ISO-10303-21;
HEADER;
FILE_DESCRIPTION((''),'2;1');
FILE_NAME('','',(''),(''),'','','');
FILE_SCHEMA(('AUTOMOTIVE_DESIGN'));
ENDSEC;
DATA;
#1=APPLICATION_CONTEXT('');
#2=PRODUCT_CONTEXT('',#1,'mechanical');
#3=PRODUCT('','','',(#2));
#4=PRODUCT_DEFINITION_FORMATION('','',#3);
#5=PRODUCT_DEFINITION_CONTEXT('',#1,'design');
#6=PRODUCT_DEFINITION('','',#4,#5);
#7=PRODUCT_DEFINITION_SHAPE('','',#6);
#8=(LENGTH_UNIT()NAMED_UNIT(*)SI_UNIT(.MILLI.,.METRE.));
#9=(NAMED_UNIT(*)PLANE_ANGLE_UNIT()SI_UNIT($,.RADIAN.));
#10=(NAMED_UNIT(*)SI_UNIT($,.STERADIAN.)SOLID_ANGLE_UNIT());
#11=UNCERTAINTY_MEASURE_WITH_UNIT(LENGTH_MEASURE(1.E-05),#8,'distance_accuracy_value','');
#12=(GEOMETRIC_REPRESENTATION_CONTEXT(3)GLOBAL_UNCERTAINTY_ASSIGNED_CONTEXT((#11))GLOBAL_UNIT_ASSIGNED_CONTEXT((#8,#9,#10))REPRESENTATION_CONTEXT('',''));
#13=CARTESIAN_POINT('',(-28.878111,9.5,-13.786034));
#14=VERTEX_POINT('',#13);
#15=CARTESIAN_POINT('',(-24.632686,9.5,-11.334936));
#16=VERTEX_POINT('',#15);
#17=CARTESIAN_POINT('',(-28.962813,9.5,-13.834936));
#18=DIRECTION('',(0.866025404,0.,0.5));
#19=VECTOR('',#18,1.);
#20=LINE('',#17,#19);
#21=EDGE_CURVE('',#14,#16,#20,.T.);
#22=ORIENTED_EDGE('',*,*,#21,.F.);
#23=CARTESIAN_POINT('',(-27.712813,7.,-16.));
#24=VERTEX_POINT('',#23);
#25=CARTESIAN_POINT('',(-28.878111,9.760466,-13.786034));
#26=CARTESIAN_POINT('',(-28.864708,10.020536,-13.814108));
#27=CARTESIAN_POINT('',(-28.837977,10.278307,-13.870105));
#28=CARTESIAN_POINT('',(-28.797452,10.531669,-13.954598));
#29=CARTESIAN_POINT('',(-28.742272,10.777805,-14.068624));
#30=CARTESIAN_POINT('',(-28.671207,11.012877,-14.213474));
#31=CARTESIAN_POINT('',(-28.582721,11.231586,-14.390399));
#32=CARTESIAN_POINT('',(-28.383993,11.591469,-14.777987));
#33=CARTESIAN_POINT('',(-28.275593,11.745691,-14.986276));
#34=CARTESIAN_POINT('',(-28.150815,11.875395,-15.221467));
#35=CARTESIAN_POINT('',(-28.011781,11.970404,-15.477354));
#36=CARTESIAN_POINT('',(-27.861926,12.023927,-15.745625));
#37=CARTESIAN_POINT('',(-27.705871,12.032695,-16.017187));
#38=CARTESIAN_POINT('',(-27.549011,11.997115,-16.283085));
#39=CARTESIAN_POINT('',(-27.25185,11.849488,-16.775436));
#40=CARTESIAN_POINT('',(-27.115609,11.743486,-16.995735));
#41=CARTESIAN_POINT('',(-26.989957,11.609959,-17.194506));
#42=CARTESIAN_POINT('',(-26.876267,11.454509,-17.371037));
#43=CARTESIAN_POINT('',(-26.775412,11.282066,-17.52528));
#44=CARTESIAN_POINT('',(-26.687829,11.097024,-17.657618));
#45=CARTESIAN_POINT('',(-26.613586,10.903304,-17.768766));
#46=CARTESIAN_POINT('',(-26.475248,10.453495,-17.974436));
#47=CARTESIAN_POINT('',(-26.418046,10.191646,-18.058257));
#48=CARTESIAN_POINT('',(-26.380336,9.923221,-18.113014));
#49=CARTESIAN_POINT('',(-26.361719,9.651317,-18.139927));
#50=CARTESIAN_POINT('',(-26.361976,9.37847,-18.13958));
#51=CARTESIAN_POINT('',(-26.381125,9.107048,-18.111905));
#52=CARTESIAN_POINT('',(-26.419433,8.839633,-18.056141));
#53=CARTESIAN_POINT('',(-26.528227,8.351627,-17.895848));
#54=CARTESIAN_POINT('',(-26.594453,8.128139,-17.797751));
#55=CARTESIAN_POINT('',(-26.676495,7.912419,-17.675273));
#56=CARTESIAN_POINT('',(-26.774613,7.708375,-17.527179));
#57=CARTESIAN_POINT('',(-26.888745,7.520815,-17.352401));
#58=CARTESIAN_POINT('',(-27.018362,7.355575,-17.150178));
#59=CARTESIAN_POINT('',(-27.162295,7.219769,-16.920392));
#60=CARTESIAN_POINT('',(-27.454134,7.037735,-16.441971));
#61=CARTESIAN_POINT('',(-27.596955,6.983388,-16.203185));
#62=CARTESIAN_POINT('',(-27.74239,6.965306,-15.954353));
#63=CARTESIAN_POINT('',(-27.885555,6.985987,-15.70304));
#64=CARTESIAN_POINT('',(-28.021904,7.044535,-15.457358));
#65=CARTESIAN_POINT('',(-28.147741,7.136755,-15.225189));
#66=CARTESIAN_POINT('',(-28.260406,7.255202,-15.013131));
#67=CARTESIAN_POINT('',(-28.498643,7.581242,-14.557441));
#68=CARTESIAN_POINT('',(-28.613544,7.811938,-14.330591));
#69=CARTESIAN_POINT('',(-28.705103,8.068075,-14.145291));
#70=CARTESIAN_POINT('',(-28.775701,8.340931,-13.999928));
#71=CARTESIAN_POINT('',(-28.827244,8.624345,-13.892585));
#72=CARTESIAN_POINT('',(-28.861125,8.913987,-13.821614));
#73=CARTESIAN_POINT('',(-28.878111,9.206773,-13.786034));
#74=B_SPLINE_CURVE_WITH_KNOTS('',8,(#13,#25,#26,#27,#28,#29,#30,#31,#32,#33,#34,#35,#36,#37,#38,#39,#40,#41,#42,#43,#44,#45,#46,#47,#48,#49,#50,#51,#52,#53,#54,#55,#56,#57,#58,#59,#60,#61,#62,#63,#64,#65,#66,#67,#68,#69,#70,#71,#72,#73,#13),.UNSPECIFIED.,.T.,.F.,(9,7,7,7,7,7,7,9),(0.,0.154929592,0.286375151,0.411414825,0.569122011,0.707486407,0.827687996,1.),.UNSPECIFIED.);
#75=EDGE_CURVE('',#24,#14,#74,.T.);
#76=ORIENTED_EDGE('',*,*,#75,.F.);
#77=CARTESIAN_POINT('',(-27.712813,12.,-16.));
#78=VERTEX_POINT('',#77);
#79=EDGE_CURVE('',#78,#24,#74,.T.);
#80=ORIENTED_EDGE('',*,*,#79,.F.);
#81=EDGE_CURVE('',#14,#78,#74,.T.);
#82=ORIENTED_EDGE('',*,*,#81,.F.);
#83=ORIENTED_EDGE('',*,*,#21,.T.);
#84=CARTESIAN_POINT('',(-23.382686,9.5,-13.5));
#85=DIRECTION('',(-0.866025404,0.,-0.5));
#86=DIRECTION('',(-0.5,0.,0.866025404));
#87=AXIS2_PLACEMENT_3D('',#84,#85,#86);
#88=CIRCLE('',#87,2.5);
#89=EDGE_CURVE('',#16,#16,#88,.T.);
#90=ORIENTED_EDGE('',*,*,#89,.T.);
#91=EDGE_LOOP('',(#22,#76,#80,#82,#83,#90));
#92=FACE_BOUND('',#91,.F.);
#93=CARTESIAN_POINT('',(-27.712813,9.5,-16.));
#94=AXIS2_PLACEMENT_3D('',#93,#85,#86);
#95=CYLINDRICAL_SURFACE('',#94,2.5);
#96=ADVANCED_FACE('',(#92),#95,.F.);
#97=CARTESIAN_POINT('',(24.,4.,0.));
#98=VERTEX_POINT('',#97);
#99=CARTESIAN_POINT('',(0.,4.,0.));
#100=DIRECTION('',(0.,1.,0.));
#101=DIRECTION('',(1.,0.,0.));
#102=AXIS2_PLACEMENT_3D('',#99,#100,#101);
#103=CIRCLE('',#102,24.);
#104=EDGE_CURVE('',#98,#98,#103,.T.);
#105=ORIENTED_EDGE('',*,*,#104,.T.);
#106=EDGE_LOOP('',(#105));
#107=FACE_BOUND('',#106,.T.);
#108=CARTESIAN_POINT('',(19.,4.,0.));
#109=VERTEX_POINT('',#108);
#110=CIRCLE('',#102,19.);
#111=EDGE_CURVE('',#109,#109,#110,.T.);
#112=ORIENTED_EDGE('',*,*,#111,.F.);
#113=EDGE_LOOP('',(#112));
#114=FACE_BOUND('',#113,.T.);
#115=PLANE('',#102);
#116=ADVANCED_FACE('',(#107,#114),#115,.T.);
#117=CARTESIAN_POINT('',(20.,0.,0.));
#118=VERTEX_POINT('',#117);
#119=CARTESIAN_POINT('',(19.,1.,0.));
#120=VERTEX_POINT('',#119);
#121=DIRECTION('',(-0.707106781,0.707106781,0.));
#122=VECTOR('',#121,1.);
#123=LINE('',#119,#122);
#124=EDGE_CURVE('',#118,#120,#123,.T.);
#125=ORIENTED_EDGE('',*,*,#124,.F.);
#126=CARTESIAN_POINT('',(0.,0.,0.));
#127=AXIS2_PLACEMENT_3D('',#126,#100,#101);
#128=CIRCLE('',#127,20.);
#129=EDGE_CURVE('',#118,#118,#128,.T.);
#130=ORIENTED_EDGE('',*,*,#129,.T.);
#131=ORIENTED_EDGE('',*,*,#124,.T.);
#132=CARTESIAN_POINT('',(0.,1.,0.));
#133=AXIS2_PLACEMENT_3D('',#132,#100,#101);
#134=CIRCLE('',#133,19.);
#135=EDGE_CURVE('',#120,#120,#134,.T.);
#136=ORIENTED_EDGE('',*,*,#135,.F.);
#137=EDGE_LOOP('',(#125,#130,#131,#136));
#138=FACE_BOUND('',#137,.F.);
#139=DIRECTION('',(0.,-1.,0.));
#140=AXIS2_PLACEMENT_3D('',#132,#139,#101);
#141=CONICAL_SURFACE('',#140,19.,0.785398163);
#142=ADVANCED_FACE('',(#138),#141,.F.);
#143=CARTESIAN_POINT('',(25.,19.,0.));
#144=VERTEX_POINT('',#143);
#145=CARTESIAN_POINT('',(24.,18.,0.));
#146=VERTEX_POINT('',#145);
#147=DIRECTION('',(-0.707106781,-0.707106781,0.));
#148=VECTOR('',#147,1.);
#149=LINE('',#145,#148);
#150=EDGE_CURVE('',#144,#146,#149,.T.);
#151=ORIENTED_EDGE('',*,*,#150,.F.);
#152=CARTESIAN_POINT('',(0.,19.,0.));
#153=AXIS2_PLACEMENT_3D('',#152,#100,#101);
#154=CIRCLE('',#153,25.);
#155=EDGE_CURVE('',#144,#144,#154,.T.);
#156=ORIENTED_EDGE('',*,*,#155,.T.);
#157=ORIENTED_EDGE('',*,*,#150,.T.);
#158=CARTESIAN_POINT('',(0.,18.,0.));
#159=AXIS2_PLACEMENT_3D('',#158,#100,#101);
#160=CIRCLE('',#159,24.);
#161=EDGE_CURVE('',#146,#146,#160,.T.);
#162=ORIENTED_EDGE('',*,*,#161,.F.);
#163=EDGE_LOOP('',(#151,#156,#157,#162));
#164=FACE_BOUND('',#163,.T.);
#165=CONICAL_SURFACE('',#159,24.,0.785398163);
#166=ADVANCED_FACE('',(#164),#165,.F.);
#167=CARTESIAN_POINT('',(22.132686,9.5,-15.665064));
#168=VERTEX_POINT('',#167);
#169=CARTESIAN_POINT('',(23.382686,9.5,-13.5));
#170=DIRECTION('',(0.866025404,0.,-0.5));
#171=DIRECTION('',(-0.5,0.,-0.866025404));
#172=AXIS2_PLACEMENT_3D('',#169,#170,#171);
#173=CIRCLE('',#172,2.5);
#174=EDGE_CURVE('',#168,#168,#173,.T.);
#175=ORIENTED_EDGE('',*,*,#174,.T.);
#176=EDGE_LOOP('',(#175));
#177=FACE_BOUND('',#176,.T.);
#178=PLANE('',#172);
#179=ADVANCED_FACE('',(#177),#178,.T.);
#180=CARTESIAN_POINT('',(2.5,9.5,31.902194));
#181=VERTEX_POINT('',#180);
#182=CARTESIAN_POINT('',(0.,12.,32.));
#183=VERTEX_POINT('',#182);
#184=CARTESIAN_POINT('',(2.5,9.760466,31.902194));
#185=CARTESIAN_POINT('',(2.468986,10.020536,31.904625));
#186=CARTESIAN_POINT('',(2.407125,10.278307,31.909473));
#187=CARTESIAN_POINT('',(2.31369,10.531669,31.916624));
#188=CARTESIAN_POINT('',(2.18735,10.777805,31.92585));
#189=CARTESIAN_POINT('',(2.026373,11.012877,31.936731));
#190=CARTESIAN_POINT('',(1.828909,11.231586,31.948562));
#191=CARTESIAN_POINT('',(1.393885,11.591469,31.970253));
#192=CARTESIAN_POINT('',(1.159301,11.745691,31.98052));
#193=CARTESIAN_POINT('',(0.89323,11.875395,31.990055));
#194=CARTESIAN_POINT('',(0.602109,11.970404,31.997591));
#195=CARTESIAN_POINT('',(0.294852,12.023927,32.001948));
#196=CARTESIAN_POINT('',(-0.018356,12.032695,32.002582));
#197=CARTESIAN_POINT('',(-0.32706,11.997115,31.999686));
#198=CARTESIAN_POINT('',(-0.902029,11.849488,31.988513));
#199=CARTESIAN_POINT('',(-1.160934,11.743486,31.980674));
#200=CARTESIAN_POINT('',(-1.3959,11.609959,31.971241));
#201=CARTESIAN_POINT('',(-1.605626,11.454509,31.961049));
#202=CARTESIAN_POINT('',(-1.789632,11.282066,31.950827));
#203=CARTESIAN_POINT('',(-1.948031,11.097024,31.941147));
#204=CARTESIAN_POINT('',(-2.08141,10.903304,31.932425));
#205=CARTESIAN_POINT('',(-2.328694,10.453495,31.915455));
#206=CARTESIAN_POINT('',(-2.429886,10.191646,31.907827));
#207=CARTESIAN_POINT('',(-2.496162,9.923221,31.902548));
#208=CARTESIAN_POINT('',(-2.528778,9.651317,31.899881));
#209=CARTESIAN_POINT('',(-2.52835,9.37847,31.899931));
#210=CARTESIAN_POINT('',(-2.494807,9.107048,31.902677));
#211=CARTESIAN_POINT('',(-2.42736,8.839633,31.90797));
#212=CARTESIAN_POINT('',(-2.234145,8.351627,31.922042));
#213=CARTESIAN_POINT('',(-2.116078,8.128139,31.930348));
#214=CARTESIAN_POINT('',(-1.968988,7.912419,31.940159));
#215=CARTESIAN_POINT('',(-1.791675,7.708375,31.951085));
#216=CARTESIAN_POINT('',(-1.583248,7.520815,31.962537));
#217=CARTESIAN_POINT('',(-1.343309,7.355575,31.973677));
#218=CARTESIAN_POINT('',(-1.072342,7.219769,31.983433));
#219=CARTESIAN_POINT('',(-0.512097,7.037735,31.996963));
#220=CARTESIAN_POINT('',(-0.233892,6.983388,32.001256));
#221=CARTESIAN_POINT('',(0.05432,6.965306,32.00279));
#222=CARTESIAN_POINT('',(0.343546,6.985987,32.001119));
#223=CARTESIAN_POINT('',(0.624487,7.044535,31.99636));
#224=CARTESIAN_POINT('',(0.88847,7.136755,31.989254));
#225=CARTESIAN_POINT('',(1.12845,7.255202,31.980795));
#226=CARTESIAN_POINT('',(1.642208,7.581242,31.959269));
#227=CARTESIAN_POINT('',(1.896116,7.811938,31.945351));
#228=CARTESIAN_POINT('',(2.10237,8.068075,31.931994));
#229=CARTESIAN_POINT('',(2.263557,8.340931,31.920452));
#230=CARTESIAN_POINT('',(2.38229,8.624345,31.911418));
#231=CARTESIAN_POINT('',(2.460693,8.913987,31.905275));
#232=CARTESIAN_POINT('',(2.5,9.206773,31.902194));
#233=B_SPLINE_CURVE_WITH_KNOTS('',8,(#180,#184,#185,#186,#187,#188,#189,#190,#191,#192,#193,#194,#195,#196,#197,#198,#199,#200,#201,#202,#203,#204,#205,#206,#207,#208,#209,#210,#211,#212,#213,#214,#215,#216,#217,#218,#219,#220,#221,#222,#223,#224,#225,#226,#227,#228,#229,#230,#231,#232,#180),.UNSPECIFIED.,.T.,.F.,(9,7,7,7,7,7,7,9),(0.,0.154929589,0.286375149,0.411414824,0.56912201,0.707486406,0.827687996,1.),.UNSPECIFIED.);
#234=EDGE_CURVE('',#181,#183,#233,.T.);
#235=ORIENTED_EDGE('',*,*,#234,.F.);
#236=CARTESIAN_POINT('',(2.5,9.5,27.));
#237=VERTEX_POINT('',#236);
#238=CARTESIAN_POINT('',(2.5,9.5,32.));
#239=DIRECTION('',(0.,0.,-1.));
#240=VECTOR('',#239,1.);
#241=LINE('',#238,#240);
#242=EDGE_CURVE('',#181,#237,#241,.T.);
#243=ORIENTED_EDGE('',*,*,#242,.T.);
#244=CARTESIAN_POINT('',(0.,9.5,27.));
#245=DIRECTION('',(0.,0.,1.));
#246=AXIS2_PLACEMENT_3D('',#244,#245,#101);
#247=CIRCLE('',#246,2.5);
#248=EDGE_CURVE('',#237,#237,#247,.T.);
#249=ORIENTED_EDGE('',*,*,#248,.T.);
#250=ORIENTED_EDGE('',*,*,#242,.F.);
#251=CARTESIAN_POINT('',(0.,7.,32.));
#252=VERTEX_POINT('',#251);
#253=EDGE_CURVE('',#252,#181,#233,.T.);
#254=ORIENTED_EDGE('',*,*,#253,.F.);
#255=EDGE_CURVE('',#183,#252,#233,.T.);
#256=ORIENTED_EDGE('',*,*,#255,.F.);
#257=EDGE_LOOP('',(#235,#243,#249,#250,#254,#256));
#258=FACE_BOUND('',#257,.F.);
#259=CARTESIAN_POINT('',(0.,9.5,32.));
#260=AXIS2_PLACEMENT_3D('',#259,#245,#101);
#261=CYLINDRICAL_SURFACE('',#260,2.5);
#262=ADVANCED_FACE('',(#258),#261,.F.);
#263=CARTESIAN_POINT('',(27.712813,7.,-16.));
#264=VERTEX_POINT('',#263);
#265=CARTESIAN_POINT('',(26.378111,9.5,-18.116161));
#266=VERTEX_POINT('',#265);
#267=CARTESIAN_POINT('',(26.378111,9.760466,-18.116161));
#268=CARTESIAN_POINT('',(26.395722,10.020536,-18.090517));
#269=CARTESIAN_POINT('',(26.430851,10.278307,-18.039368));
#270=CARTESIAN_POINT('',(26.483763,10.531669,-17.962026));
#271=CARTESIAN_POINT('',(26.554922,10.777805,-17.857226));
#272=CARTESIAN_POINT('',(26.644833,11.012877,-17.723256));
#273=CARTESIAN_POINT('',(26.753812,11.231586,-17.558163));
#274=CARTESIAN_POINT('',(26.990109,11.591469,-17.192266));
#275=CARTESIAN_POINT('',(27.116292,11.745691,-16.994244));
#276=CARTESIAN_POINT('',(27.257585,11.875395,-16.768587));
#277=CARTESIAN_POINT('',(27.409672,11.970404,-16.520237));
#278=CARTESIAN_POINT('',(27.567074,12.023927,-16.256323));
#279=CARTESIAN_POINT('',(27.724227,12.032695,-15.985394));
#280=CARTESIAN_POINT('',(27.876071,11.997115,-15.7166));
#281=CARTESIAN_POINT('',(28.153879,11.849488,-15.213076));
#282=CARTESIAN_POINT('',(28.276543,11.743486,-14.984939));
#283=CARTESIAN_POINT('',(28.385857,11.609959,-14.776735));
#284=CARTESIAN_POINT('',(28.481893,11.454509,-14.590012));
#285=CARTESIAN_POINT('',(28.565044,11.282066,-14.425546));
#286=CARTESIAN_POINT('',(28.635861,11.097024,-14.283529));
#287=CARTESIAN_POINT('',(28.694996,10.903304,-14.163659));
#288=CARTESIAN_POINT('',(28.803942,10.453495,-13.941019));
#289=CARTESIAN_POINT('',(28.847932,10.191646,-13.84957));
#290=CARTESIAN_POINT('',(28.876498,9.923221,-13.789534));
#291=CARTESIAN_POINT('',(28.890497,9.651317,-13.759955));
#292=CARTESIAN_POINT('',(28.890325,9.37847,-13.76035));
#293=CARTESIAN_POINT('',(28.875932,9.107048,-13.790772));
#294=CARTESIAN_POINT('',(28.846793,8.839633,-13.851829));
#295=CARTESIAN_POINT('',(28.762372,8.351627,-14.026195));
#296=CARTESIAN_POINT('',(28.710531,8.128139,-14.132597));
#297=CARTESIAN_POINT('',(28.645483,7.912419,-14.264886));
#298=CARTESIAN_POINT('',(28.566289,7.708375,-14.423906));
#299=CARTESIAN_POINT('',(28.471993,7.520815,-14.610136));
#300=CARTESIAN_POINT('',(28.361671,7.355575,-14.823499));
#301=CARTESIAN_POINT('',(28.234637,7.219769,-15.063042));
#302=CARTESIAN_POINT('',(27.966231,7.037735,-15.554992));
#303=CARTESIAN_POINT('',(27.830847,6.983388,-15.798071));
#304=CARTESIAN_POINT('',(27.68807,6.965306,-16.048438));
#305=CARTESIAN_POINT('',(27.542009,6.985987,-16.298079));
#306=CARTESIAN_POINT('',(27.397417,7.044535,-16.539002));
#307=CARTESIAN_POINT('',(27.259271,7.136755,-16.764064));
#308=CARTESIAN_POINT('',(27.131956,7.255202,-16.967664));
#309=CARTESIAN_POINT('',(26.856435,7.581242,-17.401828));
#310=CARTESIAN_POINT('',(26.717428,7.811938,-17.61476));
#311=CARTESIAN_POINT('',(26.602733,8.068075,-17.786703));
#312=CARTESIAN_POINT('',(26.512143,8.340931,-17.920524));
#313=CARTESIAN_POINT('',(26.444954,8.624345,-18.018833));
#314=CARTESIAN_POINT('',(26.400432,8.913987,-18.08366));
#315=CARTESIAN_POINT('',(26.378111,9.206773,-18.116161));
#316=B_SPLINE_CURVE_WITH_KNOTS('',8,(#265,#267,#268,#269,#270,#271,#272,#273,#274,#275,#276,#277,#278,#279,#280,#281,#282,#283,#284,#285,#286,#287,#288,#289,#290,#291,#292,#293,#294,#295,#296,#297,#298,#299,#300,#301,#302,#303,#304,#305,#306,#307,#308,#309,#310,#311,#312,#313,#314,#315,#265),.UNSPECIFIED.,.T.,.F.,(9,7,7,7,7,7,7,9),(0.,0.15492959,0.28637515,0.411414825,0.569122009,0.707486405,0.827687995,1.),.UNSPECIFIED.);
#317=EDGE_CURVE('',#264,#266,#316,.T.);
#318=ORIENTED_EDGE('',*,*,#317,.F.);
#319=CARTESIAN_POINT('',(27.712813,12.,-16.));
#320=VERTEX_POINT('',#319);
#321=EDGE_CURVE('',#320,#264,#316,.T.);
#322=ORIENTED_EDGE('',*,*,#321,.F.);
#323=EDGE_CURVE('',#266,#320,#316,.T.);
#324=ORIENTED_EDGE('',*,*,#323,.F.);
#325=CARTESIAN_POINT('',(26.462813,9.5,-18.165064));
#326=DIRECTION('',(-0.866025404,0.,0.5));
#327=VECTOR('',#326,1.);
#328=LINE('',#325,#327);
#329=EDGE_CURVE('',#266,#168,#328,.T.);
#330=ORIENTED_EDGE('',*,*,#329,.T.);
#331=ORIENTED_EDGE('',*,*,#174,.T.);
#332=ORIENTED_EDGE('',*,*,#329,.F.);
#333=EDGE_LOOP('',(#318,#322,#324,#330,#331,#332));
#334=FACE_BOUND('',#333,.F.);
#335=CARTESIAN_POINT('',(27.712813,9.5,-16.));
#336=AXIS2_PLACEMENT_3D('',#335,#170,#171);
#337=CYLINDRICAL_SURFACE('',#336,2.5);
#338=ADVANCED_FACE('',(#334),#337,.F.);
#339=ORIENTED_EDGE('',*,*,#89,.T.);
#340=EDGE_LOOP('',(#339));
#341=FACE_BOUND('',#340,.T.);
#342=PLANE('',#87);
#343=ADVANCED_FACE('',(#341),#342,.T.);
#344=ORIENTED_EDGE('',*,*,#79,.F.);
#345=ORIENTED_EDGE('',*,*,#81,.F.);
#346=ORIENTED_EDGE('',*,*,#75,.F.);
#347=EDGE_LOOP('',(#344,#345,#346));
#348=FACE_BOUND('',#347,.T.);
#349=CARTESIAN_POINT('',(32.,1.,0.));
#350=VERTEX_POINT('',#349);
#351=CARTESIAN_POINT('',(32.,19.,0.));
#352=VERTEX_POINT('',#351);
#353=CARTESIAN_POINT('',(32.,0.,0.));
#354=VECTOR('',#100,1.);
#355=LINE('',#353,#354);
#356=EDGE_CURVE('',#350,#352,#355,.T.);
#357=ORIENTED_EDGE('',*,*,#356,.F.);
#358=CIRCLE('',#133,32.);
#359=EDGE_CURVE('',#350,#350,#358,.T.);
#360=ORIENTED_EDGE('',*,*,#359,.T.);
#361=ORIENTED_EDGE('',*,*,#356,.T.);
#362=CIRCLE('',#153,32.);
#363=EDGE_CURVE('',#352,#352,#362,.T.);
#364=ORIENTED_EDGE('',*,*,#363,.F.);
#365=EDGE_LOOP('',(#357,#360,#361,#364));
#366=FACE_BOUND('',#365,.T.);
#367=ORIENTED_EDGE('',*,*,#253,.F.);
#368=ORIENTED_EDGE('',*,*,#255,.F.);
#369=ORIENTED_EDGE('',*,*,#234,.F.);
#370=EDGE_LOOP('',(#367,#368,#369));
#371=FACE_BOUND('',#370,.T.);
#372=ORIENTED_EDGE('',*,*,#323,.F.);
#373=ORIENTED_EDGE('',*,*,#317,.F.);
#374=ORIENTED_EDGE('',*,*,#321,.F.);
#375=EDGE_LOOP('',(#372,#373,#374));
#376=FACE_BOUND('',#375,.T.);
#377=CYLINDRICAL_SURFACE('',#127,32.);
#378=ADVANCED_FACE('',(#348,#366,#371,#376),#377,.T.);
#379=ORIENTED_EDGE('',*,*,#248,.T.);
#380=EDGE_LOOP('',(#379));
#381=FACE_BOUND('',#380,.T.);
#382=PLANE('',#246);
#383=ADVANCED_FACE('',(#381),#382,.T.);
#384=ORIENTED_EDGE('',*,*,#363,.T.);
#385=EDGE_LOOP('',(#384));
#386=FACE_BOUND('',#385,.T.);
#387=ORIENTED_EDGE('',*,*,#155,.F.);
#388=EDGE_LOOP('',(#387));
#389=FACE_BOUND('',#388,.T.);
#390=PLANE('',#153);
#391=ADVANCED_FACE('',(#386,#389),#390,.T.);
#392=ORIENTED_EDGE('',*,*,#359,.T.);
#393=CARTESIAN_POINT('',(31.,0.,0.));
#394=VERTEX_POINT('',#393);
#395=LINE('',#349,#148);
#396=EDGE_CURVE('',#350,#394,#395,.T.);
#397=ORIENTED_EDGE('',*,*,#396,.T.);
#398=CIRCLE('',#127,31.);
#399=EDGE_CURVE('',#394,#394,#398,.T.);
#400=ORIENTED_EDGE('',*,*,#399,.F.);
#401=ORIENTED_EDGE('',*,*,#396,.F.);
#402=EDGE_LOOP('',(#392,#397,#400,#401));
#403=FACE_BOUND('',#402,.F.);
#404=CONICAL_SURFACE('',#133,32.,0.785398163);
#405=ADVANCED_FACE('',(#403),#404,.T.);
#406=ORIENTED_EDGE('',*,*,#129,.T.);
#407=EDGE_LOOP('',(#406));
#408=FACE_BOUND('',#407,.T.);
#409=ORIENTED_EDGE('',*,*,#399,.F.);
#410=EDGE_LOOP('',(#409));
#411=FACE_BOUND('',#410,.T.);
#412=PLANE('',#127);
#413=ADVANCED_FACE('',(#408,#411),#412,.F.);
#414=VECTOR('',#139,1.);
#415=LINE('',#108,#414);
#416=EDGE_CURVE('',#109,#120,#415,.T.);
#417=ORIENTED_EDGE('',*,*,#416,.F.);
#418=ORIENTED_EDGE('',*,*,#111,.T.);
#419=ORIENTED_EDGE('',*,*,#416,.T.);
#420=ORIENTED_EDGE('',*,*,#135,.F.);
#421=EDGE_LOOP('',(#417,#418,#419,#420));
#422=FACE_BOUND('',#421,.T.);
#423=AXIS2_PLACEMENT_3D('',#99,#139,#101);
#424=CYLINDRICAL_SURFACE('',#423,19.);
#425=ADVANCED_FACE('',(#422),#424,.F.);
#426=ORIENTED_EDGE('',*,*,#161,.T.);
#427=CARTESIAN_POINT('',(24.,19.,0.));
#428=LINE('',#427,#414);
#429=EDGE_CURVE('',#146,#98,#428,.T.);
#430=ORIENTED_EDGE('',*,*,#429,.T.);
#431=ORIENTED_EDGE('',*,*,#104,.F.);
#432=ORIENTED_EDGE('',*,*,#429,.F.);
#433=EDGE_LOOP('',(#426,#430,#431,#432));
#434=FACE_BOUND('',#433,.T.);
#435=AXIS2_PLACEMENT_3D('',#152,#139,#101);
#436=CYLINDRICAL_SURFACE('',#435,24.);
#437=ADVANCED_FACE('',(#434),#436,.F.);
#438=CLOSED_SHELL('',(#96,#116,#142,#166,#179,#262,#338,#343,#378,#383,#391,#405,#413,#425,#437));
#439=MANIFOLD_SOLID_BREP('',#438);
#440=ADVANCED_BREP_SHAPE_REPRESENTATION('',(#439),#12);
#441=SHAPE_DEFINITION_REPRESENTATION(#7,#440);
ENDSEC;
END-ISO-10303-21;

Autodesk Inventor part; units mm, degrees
ref_plane "YZ Plane" through (0, 0, 0) normal (1, 0, 0) x (0, 1, 0)
ref_plane "XZ Plane" through (0, 0, 0) normal (0, 1, 0) x (-1, 0, 0)
sketch "Sketch1" plane through (0, 0, 0) normal (0, 0, 1) x (1, 0, 0)
  line L0 (19, 0) -> (32, 0)
  line L1 (32, 0) -> (32, 19)
  line L2 (32, 19) -> (24, 19)
  line L3 (24, 19) -> (24, 4)
  line L4 (24, 4) -> (19, 4)
  line L5 (19, 4) -> (19, 0)
  line L6 (0, 0) -> (0, 12.2084)
  dimension "d0" = 48
  dimension "d1" = 15
  dimension "d2" = 4
  dimension "d4" = 8
  dimension "d17" = 38
revolve "Revolution1" add sketch "Sketch1" angle 360 about axis through (0, 0, 0) along (0, 1, 0)
chamfer "Chamfer1" distance 1 angle 45 1 edges at (-32, 0, 0)
chamfer "Chamfer2" distance 1 angle 45 1 edges at (-19, 0, 0)
chamfer "Chamfer3" distance 1 angle 45 1 edges at (-24, 19, 0)
thread "Thread1" size "M48x2" class "6H" standard "ANSI Metric M Profile" full length
ref_plane "Work Plane1" through (0, 9.5, 32) normal (0, 0, 1) x (1, 0, 0)
sketch "Sketch3" plane through (0, 9.5, 32) normal (0, 0, 1) x (1, 0, 0)
  circle A0 centre (0, 0) radius 2.5
  point P0 (0, -9.5)
  dimension "d18" = 5
extrude "Extrusion1" cut sketch "Sketch3" against normal blind 5
thread "Thread2" size "M5x0.8" class "6H" standard "ANSI Metric M Profile" full length
pattern_circular "Circular Pattern1" count 3 over 360 about axis through (0, 9.5, 0) along (0, 1, 0) of "Extrusion1"
properties part number "Oring_M48-2_nut" material "Stainless Steel, 440C"
